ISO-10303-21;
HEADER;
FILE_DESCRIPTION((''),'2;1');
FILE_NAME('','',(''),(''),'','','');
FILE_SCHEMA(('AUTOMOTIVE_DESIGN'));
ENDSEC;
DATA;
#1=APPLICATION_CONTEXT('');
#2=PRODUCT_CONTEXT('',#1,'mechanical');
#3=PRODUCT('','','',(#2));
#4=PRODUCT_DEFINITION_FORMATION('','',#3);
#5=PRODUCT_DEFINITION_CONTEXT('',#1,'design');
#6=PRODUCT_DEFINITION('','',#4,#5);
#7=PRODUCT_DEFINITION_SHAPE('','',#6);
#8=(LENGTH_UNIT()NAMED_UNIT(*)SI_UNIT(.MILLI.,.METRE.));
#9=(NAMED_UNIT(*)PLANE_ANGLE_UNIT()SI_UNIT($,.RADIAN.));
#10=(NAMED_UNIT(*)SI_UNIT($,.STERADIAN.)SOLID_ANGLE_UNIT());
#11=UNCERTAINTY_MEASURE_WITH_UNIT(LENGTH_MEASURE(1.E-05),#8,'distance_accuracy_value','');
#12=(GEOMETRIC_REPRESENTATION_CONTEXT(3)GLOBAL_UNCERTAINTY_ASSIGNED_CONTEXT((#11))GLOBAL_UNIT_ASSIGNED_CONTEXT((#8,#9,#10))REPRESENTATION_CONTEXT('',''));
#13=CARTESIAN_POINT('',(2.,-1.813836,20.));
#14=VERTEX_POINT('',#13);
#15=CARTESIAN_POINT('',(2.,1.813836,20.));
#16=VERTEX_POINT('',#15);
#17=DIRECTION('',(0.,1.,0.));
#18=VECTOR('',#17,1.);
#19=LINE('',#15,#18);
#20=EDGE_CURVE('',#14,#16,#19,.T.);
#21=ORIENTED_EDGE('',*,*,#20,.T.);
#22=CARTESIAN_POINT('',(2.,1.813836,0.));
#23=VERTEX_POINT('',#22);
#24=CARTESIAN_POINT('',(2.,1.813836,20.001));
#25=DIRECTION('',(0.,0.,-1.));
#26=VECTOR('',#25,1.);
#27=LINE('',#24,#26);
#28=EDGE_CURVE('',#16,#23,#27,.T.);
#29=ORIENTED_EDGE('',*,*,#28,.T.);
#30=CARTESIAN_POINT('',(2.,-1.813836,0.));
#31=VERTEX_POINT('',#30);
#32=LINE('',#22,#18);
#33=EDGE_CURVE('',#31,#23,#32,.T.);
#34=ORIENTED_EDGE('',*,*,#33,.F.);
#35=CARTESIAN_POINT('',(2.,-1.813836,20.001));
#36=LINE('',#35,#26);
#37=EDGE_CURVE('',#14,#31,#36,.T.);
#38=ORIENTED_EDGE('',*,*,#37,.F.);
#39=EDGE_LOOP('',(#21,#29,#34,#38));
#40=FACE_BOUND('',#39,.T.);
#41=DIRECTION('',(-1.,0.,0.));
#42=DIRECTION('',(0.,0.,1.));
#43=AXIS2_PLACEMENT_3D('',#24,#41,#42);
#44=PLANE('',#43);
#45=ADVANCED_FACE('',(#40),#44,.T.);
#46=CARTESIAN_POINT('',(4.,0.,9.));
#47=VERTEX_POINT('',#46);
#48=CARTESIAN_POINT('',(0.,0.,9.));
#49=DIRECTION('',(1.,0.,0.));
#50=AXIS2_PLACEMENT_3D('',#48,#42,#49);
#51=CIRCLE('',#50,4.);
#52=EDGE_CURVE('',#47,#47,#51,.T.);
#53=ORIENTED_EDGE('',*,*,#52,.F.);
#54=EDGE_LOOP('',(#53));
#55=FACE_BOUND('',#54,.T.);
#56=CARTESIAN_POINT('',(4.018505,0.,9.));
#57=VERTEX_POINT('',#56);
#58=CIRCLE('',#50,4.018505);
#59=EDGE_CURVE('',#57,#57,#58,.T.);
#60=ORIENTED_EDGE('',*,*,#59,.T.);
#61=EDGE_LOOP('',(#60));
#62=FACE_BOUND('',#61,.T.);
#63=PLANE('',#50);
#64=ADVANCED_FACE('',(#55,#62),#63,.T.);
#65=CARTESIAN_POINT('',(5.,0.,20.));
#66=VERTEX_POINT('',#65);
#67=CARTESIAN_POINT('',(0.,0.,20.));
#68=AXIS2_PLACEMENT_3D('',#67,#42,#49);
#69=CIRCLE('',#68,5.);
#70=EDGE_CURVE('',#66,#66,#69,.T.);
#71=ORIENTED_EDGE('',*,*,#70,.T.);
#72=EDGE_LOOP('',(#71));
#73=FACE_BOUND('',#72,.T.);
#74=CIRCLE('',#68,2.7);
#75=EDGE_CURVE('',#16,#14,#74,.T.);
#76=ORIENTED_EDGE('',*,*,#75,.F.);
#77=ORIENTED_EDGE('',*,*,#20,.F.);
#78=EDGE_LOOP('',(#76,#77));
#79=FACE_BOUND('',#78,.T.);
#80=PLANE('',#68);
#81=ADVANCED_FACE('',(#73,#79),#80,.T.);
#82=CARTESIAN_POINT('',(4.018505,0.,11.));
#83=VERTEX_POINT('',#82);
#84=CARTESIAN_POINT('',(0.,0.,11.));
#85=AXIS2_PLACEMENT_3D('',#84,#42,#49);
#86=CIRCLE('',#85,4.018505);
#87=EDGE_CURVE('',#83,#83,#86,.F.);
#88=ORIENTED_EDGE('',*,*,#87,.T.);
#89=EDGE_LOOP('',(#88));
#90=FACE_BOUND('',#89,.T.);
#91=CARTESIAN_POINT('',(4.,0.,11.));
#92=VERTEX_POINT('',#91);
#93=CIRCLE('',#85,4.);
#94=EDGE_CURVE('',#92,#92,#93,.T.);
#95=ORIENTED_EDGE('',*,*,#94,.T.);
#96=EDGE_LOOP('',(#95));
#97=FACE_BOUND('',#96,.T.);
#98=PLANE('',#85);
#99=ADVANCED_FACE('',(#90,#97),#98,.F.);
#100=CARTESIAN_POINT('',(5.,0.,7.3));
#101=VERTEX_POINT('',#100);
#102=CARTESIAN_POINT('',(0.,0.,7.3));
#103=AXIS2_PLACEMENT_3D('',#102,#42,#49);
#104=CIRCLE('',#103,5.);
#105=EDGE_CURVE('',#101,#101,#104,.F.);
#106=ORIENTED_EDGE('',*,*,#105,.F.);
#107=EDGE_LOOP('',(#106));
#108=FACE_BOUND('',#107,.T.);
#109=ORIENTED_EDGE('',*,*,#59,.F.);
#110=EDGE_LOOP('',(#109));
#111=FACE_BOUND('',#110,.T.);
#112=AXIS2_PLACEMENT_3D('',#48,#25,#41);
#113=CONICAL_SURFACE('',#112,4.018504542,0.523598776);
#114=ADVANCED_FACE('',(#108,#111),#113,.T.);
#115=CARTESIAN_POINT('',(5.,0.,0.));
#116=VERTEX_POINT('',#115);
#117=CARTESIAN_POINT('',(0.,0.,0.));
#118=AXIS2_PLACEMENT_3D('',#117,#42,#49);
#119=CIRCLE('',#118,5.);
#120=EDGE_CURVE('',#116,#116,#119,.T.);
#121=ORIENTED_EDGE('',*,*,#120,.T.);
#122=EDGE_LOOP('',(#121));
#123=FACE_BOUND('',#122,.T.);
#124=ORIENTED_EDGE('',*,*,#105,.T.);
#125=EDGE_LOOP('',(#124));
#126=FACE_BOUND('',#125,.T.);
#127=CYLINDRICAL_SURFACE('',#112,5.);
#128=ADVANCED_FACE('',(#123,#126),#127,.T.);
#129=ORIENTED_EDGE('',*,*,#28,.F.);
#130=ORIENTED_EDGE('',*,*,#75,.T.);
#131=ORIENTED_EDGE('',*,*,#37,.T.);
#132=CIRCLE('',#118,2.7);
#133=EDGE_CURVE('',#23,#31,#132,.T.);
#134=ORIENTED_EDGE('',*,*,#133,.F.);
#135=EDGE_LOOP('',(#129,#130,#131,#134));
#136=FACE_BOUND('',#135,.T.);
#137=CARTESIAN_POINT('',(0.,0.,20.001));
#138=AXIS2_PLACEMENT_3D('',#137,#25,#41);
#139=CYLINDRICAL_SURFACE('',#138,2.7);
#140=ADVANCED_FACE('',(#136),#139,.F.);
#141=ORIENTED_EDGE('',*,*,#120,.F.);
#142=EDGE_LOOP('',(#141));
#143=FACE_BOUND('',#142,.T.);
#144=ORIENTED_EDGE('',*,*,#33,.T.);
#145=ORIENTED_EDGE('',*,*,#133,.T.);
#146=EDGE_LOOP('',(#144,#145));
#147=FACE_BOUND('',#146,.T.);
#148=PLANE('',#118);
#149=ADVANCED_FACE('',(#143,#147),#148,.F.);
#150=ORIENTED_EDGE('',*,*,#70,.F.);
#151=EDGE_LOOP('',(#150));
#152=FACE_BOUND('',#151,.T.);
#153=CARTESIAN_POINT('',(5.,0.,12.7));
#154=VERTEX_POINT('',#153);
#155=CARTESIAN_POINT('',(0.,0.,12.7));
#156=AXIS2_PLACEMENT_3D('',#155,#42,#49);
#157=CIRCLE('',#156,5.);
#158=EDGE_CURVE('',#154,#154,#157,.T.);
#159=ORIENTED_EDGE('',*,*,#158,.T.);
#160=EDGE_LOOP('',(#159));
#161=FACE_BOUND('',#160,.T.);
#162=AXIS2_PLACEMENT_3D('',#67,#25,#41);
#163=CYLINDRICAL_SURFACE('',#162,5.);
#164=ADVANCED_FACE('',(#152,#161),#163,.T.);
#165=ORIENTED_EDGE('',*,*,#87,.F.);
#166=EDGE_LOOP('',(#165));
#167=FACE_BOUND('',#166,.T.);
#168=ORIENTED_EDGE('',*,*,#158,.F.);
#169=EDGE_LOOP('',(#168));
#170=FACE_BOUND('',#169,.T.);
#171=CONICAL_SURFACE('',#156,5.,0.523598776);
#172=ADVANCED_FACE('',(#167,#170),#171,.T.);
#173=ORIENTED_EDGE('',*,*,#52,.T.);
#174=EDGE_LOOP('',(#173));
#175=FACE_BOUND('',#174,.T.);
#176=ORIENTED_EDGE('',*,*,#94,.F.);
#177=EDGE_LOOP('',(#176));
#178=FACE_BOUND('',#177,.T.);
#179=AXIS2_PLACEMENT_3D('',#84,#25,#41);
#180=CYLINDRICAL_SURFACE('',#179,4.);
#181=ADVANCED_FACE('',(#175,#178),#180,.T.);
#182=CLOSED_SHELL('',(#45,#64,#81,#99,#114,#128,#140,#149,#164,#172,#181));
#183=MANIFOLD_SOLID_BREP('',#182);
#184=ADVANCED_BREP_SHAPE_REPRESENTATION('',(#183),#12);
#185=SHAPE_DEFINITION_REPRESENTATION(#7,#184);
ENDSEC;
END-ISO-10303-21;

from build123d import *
from OCP.BRepFilletAPI import BRepFilletAPI_MakeChamfer

# Parameters (mm, degrees)
SKETCH_3_R          = 5
EXTRUDE_2_DEPTH     = 9
SKETCH_4_R          = 4
EXTRUDE_3_DEPTH     = 2
SKETCH_5_R          = 5
EXTRUDE_4_DEPTH     = 9
CUT_EXTRUDE_5_REACH = 23.213
CHAMFER_2_SIZE      = 1.7
CHAMFER_2_SIZE2     = 0.981495458


with BuildPart() as part:
    # Эскиз3 → Вытянуть2 (new body)
    with BuildSketch(Plane.XY):
        Circle(SKETCH_3_R)
    extrude(amount=EXTRUDE_2_DEPTH)

    # Эскиз4 → Вытянуть3 (add)
    with BuildSketch(Plane.XY.offset(9)):
        Circle(SKETCH_4_R)
    extrude(amount=EXTRUDE_3_DEPTH)

    # Эскиз5 → Вытянуть4 (add)
    with BuildSketch(Plane.XY.offset(11)):
        Circle(SKETCH_5_R)
    extrude(amount=EXTRUDE_4_DEPTH)

    # Эскиз1 → Вытянуть5 (cut, up to next)
    with BuildSketch(Plane.XY, mode=Mode.PRIVATE) as cut_extrude_5_sk1:
        with BuildLine():
            Line((2, 1.813835715), (2, -1.813835715))
            ThreePointArc((2, -1.813835715), (-2.7, 0), (2, 1.813835715))
        make_face()
    cut_extrude_5_tool1 = extrude(cut_extrude_5_sk1.sketch, amount=CUT_EXTRUDE_5_REACH, mode=Mode.PRIVATE) & part.part
    add(cut_extrude_5_tool1.solids().sort_by_distance((-0.188014, 0, 0))[0], mode=Mode.SUBTRACT)

    # Фаска2: one chamfer whose edges measure the first distance from different faces: ONE call of the kernel's chamfer builder (chamfer() names one face for all edges)
    chamfer_2_edges_1 = [part.edges().sort_by_distance(p)[0] for p in [
        (-5, 0, 9),
    ]]
    chamfer_2_side_1 = [part.faces().sort_by_distance(p)[0] for p in [
        (-5, 0, 4.5),
    ]]
    chamfer_2_edges_2 = [part.edges().sort_by_distance(p)[0] for p in [
        (-5, 0, 11),
    ]]
    chamfer_2_side_2 = [part.faces().sort_by_distance(p)[0] for p in [
        (-5, 0, 15.5),
    ]]
    chamfer_2 = BRepFilletAPI_MakeChamfer(part.part.solid().wrapped)
    for e in chamfer_2_edges_1:
        chamfer_2.Add(CHAMFER_2_SIZE, CHAMFER_2_SIZE2, e.wrapped, chamfer_2_side_1[0].wrapped)  # the first distance lies on this face
    for e in chamfer_2_edges_2:
        chamfer_2.Add(CHAMFER_2_SIZE, CHAMFER_2_SIZE2, e.wrapped, chamfer_2_side_2[0].wrapped)  # the first distance lies on this face
    add(Compound.cast(chamfer_2.Shape()), mode=Mode.REPLACE)


solid = part.part
